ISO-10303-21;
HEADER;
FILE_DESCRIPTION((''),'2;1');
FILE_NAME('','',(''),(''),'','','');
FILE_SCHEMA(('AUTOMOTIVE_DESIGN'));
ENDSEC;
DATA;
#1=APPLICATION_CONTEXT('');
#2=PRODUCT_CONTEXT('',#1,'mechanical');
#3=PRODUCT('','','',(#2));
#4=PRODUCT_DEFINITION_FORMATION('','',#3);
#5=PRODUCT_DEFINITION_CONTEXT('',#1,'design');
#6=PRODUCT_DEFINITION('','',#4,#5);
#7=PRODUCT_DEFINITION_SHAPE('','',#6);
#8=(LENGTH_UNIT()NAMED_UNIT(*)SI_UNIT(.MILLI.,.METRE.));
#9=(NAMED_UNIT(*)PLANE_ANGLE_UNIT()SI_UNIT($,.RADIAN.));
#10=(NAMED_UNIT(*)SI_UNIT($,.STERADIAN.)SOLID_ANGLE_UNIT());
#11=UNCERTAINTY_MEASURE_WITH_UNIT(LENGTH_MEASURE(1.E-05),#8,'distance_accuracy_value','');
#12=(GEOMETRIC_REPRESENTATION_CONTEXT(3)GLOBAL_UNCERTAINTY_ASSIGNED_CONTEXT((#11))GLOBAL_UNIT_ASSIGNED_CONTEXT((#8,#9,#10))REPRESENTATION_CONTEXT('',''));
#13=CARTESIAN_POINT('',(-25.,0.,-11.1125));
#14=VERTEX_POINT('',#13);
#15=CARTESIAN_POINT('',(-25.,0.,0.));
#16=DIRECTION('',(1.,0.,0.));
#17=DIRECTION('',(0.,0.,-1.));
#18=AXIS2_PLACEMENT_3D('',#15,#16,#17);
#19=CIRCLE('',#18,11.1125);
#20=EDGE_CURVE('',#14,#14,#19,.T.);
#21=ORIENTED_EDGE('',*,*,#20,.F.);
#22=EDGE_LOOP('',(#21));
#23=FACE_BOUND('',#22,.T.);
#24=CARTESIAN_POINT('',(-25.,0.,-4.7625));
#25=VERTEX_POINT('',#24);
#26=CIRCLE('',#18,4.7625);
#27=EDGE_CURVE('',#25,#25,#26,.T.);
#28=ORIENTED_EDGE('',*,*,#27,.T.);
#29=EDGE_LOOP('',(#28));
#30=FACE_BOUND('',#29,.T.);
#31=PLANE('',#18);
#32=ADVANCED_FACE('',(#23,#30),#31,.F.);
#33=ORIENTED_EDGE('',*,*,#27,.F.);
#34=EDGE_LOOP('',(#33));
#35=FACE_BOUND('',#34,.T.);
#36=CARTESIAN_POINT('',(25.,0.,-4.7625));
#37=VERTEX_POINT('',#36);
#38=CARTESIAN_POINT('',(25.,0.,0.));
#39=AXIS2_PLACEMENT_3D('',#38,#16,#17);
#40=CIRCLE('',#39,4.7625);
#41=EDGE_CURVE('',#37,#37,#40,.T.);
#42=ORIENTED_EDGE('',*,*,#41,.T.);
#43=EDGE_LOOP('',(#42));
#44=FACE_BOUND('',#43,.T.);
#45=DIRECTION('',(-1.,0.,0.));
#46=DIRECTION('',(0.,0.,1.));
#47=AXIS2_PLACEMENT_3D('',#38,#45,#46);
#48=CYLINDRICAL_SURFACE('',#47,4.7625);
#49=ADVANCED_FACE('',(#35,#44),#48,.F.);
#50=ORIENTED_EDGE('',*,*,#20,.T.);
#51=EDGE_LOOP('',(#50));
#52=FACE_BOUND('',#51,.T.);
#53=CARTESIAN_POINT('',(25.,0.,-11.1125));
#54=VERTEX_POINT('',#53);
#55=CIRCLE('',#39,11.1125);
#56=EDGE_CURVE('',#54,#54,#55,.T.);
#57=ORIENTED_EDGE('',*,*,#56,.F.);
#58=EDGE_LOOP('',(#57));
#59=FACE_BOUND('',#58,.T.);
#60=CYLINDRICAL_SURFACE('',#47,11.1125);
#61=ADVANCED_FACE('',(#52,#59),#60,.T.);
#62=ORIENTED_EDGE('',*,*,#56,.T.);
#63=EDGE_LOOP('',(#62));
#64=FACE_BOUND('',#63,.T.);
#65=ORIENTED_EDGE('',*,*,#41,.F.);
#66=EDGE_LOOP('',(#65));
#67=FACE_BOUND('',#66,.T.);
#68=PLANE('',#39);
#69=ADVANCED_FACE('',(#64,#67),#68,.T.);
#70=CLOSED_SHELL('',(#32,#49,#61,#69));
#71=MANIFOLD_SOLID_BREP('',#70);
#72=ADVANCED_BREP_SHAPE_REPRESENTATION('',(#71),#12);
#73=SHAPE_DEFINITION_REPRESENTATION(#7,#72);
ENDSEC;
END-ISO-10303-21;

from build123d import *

# Parameters (mm, degrees)
SKETCH1_R           = 11.1125
SKETCH1_R_2         = 4.7625
BOSS_EXTRUDE1_DEPTH = 25


with BuildPart() as part:
    # Sketch1 → Boss-Extrude1 (new body, symmetric)
    with BuildSketch(Plane(origin=(0, 0, 0), x_dir=(0, 0, -1), z_dir=(1, 0, 0))):
        Circle(SKETCH1_R)
        Circle(SKETCH1_R_2, mode=Mode.SUBTRACT)
    extrude(amount=BOSS_EXTRUDE1_DEPTH, both=True)


solid = part.part
